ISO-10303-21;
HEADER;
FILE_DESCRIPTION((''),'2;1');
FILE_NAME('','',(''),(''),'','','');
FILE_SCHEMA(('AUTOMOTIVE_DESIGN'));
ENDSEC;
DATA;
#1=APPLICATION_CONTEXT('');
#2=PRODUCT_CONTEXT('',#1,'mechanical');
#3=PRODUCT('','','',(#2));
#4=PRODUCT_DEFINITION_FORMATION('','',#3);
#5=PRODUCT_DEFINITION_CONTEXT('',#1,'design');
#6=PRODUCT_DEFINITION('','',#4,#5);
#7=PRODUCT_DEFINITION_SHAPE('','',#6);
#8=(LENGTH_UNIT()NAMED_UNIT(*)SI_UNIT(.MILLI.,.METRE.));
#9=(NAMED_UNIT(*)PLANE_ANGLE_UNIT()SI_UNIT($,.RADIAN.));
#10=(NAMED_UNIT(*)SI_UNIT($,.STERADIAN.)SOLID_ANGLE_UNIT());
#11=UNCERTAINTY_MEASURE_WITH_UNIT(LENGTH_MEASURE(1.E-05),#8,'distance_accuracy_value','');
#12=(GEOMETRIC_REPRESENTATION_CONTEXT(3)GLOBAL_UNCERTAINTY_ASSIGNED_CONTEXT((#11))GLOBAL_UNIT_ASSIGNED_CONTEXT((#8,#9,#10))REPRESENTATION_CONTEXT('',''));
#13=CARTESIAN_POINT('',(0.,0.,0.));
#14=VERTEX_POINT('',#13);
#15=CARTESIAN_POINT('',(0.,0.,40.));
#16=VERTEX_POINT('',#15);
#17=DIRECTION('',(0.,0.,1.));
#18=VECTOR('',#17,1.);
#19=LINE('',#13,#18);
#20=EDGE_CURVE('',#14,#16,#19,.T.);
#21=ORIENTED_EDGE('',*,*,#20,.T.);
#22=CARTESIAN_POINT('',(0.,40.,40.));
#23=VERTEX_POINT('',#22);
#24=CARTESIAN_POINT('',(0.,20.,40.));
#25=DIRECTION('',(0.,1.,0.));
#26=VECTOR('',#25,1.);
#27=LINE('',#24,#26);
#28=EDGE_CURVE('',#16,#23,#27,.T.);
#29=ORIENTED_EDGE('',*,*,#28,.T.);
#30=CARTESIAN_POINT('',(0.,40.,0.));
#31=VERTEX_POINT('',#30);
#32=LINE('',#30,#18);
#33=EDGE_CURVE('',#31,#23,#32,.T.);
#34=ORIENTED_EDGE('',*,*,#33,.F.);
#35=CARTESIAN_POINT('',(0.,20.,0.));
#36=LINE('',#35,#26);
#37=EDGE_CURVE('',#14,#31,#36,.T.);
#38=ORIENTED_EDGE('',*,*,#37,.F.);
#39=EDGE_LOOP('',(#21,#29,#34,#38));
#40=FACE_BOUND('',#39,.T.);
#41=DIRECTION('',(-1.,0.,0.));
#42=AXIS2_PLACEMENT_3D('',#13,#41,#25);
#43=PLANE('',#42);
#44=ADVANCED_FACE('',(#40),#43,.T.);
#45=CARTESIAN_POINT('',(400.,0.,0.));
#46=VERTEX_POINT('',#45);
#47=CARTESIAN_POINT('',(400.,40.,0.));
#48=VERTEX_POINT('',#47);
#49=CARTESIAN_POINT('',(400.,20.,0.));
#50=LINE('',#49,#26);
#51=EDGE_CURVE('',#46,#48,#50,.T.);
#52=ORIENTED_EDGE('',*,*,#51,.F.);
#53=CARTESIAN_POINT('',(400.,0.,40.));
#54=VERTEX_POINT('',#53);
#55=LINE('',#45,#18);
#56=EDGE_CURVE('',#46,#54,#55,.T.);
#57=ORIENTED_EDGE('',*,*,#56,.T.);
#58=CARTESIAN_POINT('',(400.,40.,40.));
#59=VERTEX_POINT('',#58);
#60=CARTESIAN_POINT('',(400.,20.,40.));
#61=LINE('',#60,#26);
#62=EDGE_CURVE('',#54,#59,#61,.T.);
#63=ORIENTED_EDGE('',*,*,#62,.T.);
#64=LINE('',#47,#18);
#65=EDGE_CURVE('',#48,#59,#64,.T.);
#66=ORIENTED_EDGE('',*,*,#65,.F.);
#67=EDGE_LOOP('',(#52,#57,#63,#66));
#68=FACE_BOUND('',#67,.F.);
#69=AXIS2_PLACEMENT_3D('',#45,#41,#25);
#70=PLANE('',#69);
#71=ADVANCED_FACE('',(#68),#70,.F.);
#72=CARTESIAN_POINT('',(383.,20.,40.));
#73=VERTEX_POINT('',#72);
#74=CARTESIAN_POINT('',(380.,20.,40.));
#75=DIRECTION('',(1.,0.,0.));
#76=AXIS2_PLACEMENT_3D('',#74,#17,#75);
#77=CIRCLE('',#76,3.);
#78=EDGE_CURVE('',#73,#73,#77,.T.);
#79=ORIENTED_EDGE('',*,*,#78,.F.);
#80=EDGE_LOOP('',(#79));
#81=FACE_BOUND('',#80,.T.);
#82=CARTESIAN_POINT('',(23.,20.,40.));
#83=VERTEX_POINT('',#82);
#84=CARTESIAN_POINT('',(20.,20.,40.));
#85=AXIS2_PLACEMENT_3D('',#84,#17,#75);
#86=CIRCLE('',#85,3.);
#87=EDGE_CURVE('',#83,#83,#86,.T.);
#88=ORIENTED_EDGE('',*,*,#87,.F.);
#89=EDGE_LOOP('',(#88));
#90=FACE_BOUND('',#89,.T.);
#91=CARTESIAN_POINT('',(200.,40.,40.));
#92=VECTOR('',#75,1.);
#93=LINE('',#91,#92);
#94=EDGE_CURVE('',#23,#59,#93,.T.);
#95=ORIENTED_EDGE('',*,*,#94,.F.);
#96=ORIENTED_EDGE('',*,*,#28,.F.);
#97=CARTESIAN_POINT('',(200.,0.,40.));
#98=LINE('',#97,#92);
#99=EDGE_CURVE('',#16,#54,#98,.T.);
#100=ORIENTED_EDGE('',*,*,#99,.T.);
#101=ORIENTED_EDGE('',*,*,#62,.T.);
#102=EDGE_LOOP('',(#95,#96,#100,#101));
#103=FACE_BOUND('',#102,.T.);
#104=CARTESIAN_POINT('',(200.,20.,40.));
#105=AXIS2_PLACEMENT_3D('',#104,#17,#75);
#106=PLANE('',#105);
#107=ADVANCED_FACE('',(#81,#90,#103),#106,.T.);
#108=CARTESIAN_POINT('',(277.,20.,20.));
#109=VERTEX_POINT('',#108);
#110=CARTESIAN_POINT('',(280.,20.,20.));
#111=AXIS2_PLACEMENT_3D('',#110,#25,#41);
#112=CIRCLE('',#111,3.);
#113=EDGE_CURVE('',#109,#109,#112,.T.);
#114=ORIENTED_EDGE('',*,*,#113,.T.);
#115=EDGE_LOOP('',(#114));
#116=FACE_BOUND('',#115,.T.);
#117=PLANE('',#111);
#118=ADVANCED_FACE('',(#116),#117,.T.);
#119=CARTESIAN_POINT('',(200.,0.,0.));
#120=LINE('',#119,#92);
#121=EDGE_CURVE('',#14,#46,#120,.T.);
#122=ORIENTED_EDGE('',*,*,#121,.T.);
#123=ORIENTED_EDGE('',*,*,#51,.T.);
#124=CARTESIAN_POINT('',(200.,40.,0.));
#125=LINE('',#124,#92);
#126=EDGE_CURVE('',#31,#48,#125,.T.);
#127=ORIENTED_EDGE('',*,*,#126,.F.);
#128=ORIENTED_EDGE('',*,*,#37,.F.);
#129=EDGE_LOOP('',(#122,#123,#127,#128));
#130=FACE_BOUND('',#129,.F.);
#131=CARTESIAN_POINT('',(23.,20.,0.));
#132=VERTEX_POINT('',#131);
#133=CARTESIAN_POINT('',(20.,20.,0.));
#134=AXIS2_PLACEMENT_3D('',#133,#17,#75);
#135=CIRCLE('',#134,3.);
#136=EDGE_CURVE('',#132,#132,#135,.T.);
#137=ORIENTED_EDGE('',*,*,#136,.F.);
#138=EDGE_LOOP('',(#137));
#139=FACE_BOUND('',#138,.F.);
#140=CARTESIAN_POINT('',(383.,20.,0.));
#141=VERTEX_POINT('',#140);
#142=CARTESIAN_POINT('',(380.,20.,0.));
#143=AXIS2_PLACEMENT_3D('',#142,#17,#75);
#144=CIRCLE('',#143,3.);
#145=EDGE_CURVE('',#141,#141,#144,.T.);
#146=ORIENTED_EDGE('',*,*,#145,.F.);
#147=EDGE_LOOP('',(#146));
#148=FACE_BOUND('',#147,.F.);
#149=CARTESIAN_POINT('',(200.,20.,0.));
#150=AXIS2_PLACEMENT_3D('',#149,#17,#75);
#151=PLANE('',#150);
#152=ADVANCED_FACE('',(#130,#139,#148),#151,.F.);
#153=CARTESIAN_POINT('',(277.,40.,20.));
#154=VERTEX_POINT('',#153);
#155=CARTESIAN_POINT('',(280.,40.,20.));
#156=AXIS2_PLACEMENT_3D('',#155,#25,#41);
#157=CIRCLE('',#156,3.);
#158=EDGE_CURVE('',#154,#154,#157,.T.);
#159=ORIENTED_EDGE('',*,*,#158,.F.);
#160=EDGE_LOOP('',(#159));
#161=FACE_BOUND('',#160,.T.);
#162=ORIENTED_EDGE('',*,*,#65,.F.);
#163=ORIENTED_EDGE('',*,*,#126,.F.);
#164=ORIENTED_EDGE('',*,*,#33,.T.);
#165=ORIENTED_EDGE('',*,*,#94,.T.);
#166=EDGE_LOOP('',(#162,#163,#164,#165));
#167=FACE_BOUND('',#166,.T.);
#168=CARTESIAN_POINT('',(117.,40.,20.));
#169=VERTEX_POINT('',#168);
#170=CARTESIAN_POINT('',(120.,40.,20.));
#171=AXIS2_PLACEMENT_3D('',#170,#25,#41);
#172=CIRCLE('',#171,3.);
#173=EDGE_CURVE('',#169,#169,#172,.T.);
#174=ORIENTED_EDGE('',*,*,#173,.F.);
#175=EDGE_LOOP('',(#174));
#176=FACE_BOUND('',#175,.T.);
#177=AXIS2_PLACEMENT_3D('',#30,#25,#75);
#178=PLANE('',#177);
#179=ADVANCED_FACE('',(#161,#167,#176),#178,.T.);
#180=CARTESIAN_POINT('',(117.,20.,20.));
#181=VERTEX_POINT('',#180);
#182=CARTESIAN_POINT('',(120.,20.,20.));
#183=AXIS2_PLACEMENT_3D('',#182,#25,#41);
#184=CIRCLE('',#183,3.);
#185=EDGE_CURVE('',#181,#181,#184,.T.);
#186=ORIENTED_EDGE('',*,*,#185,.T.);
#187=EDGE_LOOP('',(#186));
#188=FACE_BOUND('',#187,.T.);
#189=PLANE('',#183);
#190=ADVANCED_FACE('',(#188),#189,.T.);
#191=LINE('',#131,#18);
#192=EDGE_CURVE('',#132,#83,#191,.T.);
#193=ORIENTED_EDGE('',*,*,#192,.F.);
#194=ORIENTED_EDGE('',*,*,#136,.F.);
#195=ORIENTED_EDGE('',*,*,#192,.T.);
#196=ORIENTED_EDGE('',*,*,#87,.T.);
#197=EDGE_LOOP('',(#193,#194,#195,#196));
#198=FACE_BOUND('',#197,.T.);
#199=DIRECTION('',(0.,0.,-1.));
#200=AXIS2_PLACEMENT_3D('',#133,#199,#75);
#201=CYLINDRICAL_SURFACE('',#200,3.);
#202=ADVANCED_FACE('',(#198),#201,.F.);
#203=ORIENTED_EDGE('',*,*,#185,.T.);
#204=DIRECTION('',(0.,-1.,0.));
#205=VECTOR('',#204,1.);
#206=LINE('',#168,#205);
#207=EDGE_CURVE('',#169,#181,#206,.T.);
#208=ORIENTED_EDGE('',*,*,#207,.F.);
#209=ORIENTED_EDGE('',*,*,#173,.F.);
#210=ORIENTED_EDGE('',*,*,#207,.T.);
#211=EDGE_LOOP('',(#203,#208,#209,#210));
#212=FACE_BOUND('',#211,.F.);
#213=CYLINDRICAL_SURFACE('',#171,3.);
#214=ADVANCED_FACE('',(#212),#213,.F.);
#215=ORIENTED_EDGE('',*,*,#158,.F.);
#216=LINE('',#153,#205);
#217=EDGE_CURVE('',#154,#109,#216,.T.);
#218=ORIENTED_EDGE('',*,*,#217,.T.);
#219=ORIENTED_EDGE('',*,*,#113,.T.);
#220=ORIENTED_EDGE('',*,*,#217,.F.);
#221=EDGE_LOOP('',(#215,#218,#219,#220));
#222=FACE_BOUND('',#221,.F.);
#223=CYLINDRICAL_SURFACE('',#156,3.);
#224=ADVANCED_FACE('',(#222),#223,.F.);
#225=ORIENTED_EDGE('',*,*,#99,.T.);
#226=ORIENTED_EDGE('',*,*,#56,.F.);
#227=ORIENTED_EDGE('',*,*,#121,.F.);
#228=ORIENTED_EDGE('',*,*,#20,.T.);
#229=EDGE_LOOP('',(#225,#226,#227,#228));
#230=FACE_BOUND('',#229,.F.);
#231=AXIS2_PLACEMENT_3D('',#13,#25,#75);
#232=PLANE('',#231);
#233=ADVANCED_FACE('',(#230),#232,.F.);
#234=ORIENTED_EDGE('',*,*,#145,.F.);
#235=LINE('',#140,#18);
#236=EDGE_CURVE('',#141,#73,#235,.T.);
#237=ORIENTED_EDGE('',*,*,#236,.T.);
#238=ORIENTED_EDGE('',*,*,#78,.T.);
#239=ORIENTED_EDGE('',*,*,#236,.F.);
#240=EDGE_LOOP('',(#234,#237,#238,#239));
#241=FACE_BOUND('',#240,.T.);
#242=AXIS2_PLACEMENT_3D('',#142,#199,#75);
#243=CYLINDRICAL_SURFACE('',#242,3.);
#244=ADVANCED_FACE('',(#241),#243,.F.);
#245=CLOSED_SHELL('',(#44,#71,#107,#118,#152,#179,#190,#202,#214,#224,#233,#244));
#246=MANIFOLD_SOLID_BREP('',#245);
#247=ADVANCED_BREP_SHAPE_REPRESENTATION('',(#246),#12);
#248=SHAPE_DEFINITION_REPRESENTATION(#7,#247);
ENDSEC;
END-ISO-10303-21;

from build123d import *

# Parameters (mm, degrees)
F0_W     = 400
F0_H     = 40
F0_R     = 3
F1_DEPTH = 40
F2_R     = 3
F4_DEPTH = 20
F3_R     = 3
F5_DEPTH = 20


with BuildPart() as f1:
    # F0 (on Top) → F1 (new body)
    with BuildSketch(Plane.XY):
        with Locations((200, 20)):
            Rectangle(F0_W, F0_H)
        with Locations((20, 20)):
            Circle(F0_R, mode=Mode.SUBTRACT)
        with Locations((380, 20)):
            Circle(F0_R, mode=Mode.SUBTRACT)
    extrude(amount=F1_DEPTH)

    # F2 (on face) → F4 (cut)
    with BuildSketch(Plane(origin=(0, 40, 0), x_dir=(-1, 0, 0), z_dir=(0, 1, 0))):
        with Locations((-120, 20)):
            Circle(F2_R)
    extrude(amount=-F4_DEPTH, mode=Mode.SUBTRACT)

    # F3 (on face) → F5 (cut)
    with BuildSketch(Plane(origin=(0, 40, 0), x_dir=(-1, 0, 0), z_dir=(0, 1, 0))):
        with Locations((-280, 20)):
            Circle(F3_R)
    extrude(amount=-F5_DEPTH, mode=Mode.SUBTRACT)


solid = f1.part
